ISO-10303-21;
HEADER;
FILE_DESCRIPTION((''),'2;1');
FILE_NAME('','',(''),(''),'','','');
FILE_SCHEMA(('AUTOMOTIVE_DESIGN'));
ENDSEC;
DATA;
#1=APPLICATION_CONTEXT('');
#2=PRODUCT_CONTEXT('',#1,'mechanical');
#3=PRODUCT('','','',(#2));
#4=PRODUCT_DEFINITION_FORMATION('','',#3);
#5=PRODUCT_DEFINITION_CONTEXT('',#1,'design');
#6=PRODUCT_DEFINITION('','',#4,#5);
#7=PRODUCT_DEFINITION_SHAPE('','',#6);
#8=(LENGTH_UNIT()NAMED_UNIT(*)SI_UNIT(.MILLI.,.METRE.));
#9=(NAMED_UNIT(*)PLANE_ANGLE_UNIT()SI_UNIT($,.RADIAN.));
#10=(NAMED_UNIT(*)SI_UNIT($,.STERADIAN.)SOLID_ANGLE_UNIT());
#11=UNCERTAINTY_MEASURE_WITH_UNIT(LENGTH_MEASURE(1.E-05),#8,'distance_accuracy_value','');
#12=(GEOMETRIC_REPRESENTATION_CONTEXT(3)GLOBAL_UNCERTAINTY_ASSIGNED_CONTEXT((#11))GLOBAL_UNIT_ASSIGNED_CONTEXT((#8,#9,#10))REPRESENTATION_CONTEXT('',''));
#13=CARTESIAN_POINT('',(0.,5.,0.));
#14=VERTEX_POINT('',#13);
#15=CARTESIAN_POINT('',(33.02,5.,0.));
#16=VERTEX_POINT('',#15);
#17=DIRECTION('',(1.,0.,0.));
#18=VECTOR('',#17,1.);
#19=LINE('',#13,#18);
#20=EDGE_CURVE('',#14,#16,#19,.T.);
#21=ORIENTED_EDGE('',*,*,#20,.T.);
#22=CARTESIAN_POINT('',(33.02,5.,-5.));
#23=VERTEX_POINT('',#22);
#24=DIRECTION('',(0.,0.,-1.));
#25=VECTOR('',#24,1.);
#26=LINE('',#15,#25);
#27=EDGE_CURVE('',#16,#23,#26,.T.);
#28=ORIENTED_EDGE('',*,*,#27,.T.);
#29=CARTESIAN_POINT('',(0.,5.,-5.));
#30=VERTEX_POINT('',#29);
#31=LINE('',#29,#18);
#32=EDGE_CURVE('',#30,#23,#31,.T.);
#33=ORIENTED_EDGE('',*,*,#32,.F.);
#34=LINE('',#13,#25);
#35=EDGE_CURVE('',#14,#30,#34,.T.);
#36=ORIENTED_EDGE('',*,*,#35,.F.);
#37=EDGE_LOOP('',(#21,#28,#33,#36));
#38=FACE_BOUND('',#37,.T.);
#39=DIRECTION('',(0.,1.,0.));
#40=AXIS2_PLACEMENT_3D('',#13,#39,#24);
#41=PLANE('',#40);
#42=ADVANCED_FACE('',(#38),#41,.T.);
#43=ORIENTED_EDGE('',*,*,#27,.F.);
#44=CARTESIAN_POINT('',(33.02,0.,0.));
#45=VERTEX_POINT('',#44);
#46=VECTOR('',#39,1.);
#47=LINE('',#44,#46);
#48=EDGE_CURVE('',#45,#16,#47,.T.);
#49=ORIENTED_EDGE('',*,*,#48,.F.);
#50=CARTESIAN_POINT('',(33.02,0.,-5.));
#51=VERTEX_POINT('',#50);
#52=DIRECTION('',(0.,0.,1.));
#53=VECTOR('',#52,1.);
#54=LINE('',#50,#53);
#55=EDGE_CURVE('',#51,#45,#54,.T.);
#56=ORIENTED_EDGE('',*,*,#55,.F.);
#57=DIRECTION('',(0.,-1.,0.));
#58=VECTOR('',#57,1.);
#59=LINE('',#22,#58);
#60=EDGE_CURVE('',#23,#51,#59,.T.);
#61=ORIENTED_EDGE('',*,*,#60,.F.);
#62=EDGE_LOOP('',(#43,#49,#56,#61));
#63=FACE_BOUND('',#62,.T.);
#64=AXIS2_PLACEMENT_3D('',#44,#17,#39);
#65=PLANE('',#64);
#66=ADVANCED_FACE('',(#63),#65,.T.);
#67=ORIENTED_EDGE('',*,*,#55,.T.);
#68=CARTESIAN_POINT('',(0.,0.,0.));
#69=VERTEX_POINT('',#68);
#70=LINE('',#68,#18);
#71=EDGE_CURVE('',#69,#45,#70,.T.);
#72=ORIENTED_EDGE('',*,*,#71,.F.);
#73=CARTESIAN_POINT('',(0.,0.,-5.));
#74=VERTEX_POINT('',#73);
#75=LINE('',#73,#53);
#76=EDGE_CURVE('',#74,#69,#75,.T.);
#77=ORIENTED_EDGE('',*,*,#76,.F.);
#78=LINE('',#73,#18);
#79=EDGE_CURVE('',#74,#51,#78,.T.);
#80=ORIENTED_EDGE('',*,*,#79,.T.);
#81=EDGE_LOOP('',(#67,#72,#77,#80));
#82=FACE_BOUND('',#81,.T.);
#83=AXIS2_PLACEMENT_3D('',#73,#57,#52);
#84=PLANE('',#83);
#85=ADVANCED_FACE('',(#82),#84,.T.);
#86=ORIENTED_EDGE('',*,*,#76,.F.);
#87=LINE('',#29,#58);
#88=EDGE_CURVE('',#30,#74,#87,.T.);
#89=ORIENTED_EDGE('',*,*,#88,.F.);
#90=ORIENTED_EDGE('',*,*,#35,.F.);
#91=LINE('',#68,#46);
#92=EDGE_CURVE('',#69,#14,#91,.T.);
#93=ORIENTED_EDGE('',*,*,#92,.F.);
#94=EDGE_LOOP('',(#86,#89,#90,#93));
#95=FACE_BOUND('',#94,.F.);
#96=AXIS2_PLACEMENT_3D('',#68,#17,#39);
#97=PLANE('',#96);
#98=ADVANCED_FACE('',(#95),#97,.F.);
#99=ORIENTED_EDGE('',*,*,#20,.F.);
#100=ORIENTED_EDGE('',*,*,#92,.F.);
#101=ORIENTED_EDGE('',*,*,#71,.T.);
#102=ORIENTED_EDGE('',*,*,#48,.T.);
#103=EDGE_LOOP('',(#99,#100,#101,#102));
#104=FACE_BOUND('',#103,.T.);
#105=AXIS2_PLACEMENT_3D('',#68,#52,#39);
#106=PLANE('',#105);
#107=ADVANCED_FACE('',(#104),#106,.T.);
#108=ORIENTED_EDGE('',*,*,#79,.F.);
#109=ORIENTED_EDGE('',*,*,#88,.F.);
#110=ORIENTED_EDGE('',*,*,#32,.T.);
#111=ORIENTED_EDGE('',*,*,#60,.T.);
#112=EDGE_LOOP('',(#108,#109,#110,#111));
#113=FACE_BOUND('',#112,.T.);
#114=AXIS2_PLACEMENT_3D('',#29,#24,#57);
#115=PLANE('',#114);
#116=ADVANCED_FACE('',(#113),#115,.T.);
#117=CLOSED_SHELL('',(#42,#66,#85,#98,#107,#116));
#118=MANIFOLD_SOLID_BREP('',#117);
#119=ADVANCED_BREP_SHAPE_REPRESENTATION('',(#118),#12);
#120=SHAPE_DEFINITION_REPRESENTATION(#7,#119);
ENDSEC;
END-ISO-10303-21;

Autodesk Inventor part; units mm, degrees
ref_plane "YZ Plane" through (0, 0, 0) normal (1, 0, 0) x (0, 1, 0)
ref_plane "XZ Plane" through (0, 0, 0) normal (0, 1, 0) x (-1, 0, 0)
ref_plane "XY Plane" through (0, 0, 0) normal (0, 0, 1) x (1, 0, 0)
sketch "Sketch1" plane through (0, 0, 0) normal (1, 0, 0) x (0, 1, 0)
  line L0 (0, 0) -> (5, 0)
  line L1 (5, 0) -> (5, -5)
  line L2 (5, -5) -> (0, -5)
  line L3 (0, -5) -> (0, 0)
  dimension "d0" = 5
  dimension "d1" = 5
extrude "Extrusion1" add sketch "Sketch1" along normal blind 33.02
properties part number "porte rail"
